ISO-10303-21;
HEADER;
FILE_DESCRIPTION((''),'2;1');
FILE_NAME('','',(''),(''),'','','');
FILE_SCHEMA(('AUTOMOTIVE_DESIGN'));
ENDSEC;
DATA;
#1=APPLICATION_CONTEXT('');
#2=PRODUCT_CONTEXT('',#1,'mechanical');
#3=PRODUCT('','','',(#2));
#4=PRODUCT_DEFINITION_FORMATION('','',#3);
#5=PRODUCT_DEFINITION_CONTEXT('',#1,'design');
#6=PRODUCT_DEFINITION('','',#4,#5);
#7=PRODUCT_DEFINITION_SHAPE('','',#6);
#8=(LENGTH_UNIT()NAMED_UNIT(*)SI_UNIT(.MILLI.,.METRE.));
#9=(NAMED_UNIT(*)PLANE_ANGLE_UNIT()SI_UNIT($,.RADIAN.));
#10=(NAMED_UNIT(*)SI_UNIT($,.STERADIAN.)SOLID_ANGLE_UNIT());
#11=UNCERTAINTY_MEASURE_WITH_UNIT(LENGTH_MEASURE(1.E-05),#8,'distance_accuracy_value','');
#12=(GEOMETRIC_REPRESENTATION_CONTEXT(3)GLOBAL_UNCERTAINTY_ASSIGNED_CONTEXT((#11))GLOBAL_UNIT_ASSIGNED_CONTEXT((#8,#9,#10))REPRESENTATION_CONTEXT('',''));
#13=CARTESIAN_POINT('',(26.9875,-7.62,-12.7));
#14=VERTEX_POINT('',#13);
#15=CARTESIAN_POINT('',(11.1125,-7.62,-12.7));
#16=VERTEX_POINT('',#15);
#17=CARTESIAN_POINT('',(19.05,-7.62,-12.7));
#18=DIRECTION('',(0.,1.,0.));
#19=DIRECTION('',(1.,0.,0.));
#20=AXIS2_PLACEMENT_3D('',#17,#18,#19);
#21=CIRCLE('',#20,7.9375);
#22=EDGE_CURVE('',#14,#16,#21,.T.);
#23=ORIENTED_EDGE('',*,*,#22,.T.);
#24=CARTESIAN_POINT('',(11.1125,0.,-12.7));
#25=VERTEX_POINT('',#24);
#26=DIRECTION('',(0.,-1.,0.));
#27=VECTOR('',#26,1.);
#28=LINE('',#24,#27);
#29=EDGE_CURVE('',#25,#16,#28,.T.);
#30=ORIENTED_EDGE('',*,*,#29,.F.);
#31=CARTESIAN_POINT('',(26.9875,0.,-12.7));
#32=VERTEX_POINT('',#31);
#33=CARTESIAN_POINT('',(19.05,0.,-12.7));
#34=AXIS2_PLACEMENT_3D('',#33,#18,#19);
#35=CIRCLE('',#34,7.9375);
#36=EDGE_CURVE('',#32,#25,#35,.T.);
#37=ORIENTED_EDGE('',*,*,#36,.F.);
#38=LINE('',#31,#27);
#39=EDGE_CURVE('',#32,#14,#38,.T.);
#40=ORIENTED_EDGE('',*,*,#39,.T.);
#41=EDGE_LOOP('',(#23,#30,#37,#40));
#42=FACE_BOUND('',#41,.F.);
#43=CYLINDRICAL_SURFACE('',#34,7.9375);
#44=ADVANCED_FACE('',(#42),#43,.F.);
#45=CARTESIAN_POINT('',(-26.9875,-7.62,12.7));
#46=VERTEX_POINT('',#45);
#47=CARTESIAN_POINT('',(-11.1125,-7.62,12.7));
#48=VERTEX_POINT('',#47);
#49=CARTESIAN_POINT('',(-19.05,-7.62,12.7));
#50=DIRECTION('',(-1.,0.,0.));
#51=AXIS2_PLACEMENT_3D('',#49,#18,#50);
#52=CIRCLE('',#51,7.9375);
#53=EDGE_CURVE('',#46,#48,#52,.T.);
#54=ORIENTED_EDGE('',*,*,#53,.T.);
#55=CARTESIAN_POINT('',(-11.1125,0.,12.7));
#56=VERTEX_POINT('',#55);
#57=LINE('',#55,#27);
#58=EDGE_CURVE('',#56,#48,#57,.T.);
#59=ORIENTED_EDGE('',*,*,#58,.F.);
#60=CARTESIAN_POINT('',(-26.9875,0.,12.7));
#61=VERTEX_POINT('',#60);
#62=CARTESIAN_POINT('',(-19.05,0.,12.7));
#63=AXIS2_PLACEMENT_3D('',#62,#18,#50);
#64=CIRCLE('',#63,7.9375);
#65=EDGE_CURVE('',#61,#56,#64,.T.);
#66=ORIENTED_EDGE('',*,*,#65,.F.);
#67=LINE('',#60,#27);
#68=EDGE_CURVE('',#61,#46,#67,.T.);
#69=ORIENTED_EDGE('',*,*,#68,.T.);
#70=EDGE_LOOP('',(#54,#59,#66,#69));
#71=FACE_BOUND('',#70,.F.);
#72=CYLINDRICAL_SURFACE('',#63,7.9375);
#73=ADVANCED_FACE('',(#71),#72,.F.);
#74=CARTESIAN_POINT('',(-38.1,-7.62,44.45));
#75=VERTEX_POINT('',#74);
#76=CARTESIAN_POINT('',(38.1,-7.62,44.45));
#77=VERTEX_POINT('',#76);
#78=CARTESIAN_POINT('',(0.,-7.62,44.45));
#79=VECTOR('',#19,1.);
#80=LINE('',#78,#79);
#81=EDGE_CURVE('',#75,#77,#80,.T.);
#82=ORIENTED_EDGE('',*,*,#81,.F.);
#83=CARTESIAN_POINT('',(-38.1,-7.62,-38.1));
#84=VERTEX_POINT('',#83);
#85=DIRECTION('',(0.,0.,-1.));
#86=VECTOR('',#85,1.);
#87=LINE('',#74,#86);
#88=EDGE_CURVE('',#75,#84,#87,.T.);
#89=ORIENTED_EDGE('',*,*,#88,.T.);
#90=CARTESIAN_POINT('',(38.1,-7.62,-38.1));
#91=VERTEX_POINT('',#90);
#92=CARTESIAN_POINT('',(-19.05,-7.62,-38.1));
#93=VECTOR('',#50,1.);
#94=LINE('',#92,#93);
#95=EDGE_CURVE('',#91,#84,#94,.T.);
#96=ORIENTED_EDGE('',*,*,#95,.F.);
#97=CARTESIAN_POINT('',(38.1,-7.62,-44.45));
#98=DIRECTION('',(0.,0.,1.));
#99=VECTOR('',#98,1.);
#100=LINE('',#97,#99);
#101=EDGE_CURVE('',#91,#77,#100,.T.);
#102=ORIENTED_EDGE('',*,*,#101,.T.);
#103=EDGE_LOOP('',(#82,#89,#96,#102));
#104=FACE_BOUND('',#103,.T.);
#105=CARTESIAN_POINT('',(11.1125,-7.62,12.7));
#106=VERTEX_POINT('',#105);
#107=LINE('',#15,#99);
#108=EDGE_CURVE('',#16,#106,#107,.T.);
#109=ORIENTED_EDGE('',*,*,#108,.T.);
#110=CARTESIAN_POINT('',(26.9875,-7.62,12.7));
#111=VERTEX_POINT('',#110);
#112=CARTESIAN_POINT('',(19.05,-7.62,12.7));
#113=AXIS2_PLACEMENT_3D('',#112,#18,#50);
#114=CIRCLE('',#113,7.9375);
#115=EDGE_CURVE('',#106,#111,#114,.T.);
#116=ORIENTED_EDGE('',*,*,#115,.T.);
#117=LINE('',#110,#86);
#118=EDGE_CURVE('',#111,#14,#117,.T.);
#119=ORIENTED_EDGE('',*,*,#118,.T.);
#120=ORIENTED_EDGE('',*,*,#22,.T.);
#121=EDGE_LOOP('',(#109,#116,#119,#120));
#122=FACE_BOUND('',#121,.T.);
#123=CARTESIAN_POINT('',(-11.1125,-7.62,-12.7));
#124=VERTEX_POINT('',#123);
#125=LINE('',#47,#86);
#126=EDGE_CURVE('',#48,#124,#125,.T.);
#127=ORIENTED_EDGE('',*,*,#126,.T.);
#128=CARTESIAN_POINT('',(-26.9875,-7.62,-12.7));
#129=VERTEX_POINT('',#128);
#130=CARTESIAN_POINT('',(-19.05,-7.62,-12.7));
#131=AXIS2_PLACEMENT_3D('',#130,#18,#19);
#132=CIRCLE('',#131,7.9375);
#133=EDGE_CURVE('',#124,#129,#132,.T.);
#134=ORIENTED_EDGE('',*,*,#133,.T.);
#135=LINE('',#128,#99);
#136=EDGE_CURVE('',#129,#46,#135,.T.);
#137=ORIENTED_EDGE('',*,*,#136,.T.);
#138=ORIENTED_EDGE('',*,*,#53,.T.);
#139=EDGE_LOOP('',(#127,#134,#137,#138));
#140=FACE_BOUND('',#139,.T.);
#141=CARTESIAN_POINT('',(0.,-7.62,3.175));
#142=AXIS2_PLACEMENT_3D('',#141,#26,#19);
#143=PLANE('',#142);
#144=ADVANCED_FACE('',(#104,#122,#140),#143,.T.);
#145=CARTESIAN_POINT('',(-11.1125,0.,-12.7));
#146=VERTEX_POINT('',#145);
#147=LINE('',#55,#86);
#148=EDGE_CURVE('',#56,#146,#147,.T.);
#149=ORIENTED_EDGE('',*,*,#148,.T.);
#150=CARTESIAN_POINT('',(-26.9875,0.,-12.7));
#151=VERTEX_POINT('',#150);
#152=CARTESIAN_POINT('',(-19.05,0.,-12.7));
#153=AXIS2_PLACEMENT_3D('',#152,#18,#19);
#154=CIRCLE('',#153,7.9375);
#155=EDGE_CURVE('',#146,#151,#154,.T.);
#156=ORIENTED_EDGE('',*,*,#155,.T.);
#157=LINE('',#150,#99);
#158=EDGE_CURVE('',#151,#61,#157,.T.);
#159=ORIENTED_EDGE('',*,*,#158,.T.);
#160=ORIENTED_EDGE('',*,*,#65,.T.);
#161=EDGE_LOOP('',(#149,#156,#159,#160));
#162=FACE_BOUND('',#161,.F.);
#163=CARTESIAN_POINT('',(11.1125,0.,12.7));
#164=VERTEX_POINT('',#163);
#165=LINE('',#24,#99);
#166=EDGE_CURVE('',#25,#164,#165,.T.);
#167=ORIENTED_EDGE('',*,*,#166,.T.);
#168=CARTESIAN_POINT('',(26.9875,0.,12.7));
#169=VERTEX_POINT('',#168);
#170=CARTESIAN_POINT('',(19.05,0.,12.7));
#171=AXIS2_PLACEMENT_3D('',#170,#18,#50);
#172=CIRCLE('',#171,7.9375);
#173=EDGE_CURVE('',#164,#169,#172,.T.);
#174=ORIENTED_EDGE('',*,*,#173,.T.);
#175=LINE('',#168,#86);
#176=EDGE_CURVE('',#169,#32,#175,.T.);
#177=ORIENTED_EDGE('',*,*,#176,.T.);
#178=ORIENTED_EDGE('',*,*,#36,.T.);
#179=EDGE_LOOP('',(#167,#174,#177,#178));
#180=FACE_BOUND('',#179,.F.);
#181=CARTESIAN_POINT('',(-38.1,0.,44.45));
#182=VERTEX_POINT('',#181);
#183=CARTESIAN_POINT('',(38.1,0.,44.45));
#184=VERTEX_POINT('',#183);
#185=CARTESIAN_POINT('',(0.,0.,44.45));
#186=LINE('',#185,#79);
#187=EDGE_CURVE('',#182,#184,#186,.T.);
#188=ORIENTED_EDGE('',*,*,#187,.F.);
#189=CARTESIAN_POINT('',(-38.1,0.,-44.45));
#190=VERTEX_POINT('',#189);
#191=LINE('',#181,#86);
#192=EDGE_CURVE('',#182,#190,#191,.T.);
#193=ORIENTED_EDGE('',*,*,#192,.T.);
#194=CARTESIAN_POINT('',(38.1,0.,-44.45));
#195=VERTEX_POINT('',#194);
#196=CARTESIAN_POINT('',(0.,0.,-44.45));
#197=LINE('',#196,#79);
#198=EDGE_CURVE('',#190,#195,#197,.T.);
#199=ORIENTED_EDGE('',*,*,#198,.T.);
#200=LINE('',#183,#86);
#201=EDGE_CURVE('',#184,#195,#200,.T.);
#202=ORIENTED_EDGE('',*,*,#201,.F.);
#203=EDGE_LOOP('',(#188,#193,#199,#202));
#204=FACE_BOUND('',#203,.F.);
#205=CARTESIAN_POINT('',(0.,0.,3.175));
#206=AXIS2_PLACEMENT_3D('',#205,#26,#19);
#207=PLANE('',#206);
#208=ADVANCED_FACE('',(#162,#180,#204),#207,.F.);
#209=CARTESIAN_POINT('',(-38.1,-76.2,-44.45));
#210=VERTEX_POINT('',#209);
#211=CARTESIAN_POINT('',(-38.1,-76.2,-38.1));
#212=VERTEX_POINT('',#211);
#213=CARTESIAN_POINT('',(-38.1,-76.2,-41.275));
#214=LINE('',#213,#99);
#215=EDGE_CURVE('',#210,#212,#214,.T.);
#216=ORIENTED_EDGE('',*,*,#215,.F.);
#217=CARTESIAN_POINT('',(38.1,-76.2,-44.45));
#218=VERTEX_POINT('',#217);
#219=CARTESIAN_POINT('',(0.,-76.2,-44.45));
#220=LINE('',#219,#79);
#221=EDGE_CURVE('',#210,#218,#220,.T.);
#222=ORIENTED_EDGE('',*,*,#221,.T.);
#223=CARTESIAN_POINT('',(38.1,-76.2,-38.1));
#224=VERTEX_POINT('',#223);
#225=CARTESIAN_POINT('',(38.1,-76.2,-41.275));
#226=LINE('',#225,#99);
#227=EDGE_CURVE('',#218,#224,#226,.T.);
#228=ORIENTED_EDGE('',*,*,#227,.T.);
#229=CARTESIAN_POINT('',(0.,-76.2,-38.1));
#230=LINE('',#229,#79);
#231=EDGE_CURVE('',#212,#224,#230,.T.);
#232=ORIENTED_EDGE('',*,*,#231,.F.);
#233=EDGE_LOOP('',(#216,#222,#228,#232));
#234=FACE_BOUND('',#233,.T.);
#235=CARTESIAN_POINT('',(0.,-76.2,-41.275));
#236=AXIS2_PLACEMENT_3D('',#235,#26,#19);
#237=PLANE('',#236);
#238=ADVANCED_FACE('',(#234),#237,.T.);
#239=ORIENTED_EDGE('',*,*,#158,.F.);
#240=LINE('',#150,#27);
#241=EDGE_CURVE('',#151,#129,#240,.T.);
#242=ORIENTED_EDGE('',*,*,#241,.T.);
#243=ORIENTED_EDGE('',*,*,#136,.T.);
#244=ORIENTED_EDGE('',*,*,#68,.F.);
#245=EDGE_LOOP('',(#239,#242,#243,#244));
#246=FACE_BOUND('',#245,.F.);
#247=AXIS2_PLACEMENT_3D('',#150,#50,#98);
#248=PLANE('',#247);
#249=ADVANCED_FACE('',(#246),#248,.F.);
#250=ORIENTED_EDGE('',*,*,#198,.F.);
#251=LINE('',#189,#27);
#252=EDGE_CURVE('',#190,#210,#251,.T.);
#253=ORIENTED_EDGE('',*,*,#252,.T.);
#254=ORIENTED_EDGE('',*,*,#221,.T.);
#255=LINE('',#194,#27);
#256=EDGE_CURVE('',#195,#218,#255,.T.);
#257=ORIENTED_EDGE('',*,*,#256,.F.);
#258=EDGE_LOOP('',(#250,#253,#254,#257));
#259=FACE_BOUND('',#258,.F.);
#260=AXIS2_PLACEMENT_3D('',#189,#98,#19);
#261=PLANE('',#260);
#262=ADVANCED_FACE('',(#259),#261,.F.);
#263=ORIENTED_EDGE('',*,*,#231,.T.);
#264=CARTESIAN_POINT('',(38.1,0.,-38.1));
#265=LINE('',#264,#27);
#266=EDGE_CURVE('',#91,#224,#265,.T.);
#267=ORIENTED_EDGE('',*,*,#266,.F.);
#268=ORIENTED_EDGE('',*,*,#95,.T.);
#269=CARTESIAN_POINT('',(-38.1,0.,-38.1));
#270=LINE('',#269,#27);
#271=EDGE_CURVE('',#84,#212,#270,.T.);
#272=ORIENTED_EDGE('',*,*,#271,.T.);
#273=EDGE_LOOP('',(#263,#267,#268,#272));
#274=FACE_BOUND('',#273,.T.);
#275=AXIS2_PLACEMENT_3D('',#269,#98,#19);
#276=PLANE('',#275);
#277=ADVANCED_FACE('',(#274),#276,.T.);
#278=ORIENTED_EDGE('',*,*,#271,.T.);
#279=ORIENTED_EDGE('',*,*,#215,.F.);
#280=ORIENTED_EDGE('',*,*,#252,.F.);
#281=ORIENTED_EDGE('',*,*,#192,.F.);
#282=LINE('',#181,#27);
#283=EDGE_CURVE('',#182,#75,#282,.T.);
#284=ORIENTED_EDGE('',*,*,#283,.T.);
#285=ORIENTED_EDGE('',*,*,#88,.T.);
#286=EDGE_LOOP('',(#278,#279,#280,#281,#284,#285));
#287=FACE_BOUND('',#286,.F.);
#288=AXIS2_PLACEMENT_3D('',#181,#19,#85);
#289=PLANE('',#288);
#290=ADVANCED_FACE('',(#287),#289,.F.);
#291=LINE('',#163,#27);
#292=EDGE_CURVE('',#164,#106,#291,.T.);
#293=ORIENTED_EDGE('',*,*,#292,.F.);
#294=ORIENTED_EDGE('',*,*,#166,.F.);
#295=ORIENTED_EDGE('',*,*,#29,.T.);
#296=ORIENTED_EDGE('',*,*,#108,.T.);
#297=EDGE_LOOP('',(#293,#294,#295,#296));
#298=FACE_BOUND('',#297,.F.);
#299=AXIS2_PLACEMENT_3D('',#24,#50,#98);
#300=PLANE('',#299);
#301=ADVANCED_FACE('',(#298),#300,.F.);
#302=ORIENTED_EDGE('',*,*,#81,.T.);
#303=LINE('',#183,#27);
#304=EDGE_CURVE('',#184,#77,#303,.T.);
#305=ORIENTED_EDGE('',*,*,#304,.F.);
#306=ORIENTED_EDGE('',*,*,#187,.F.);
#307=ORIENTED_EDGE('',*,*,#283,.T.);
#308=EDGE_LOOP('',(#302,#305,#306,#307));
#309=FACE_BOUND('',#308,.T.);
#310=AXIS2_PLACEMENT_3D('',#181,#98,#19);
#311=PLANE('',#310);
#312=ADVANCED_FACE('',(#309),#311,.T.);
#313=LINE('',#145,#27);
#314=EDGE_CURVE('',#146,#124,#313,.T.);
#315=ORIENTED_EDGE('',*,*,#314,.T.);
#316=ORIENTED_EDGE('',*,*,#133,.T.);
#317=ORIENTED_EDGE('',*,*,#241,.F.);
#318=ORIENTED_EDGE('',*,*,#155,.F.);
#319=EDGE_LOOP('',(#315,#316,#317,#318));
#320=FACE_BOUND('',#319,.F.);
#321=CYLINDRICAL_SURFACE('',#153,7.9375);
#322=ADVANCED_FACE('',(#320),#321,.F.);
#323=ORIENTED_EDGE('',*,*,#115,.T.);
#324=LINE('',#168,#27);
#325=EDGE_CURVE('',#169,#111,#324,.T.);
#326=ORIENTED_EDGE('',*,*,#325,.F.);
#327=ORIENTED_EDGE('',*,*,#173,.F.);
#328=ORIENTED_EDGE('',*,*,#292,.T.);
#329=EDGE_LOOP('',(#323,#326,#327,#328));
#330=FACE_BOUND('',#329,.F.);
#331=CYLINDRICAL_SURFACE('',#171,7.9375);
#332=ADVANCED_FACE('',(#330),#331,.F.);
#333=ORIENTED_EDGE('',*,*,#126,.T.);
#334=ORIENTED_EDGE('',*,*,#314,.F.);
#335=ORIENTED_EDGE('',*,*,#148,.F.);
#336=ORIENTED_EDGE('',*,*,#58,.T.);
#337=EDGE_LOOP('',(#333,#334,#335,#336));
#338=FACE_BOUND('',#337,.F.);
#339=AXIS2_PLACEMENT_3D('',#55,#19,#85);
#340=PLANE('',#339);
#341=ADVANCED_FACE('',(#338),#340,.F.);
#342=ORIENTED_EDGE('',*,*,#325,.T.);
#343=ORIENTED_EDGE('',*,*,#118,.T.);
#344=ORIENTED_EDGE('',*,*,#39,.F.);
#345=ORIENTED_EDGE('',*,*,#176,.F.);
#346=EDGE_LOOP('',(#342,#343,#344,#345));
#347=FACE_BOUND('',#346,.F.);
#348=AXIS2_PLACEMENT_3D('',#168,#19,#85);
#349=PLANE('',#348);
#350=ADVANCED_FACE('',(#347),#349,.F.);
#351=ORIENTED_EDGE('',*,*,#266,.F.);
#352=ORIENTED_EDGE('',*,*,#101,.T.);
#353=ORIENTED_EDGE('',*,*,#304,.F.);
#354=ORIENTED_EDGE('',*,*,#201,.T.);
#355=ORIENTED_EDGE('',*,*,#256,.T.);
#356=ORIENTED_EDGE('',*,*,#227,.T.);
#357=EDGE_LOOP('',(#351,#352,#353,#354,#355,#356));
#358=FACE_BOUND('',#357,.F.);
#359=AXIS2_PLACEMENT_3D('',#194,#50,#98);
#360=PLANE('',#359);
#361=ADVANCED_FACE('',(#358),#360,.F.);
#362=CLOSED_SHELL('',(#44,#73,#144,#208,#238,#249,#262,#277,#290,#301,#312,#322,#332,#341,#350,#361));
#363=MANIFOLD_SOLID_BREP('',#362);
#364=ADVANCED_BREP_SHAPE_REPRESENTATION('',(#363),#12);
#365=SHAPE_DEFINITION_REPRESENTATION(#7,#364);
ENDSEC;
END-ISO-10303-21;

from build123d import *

# Parameters (mm, degrees)
F0_W     = 76.2
F0_H     = 82.55
F0_H_2   = 6.35
F1_DEPTH = 7.62
F2_DEPTH = 76.2


with BuildPart() as f1:
    # F0 (on Front) → F1 (new body)
    with BuildSketch(Plane.XZ):
        with Locations((0, 3.175)):
            Rectangle(F0_W, F0_H)
        with BuildLine():
            Line((-26.9875, 0), (-26.9875, 12.7))
            ThreePointArc((-26.9875, 12.7), (-19.05, 20.6375), (-11.1125, 12.7))
            Line((-11.1125, 12.7), (-11.1125, 0))
            Line((-11.1125, 0), (-11.1125, -12.7))
            ThreePointArc((-11.1125, -12.7), (-19.05, -20.6375), (-26.9875, -12.7))
            Line((-26.9875, -12.7), (-26.9875, 0))
        make_face(mode=Mode.SUBTRACT)
        with BuildLine():
            Line((11.1125, 0), (11.1125, 12.7))
            ThreePointArc((11.1125, 12.7), (19.05, 20.6375), (26.9875, 12.7))
            Line((26.9875, 12.7), (26.9875, 0))
            Line((26.9875, 0), (26.9875, -12.7))
            ThreePointArc((26.9875, -12.7), (19.05, -20.6375), (11.1125, -12.7))
            Line((11.1125, -12.7), (11.1125, 0))
        make_face(mode=Mode.SUBTRACT)
        with Locations((0, -41.275)):
            Rectangle(F0_W, F0_H_2)
    extrude(amount=F1_DEPTH)

    # F0 (on Front) → F2 (join)
    with BuildSketch(Plane.XZ):
        with Locations((0, -41.275)):
            Rectangle(F0_W, F0_H_2)
    extrude(amount=F2_DEPTH)


solid = f1.part
